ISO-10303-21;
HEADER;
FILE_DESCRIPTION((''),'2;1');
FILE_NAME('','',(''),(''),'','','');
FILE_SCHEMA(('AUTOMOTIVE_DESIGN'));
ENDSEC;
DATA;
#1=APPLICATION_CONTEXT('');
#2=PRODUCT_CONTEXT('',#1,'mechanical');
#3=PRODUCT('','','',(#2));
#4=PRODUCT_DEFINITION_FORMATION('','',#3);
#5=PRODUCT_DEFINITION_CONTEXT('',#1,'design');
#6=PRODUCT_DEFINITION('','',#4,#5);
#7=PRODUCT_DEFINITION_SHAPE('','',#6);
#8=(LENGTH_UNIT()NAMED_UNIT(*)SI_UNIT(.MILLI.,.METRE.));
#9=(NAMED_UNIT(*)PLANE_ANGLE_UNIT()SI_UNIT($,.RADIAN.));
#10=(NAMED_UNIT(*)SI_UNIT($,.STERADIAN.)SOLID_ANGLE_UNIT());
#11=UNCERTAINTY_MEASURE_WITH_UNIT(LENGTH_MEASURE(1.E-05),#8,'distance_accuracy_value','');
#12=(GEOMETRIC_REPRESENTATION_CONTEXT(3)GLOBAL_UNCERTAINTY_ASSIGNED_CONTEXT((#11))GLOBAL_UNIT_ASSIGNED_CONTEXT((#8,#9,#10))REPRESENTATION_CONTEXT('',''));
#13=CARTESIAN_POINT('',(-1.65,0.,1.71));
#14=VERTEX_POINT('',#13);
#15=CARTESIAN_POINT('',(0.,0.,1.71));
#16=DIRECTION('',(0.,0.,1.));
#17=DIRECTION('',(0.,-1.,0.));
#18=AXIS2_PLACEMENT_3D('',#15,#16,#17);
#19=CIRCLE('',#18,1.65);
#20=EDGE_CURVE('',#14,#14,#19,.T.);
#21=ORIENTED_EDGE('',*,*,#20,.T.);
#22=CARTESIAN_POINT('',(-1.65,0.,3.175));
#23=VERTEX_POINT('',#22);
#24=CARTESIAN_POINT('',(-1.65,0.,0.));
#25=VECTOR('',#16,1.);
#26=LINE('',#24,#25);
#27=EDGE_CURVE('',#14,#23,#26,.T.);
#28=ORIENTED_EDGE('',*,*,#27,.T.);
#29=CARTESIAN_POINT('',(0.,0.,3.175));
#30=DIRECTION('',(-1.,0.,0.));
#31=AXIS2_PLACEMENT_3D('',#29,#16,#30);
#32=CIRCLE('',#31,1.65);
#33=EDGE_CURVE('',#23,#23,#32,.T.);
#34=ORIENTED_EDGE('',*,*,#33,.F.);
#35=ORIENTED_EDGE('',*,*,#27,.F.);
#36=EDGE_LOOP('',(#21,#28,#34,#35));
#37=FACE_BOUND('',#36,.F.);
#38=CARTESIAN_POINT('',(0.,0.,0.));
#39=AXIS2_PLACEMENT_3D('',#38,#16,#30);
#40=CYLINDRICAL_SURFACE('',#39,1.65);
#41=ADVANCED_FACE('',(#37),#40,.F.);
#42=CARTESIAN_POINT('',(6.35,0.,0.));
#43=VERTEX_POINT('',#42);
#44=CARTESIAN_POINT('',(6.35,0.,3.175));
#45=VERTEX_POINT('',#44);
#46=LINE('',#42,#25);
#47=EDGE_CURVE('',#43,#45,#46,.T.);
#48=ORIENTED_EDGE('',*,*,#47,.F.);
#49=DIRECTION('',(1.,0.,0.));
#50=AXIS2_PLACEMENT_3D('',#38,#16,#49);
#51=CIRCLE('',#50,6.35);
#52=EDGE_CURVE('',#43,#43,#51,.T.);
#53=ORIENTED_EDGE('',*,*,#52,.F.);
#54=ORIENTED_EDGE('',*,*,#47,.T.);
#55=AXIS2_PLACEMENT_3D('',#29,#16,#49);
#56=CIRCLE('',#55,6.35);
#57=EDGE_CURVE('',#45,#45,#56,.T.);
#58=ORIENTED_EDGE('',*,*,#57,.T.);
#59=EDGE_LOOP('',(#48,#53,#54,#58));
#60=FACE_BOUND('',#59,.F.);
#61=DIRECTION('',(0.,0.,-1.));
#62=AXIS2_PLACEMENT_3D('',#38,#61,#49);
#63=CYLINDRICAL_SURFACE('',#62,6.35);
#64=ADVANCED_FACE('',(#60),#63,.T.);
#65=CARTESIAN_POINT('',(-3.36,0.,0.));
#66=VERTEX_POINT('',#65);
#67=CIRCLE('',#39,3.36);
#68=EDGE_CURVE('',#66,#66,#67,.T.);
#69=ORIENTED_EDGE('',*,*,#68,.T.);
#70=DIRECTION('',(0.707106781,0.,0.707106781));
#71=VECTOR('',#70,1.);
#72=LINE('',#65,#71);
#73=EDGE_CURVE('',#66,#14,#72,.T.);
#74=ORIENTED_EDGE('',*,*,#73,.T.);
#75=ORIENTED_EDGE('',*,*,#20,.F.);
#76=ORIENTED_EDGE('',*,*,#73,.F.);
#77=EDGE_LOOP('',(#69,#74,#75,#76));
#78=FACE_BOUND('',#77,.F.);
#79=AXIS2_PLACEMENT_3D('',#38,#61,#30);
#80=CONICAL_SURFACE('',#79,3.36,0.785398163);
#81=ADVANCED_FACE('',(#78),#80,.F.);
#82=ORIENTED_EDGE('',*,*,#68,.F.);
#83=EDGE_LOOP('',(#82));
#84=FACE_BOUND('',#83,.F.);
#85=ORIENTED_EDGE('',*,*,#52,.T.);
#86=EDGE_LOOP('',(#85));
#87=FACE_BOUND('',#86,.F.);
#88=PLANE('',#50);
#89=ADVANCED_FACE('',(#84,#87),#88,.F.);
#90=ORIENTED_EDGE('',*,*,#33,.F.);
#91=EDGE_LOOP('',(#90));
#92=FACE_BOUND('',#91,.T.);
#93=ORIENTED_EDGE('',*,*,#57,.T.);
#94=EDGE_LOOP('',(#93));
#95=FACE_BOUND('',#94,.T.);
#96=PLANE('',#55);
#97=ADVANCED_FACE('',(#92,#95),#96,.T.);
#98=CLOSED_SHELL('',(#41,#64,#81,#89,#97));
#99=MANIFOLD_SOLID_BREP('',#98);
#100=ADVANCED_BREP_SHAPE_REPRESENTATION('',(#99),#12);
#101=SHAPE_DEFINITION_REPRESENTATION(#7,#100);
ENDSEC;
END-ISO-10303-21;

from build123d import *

# Parameters (mm, degrees)
F0_R           = 6.35
F1_DEPTH       = 3.175
F2_D           = 3.3
F2_CSINK_D     = 6.72
F2_CSINK_ANGLE = 90


with BuildPart() as f1:
    # F0 (on Top) → F1 (new body)
    with BuildSketch(Plane.XY):
        Circle(F0_R)
    extrude(amount=F1_DEPTH)

    # F2 (through all)
    with Locations(Plane(origin=(0, 0, 0), x_dir=(1, 0, 0), z_dir=(0, 0, -1))):
        with Locations((0, 0)):
            CounterSinkHole(F2_D / 2, F2_CSINK_D / 2, counter_sink_angle=F2_CSINK_ANGLE)


solid = f1.part
